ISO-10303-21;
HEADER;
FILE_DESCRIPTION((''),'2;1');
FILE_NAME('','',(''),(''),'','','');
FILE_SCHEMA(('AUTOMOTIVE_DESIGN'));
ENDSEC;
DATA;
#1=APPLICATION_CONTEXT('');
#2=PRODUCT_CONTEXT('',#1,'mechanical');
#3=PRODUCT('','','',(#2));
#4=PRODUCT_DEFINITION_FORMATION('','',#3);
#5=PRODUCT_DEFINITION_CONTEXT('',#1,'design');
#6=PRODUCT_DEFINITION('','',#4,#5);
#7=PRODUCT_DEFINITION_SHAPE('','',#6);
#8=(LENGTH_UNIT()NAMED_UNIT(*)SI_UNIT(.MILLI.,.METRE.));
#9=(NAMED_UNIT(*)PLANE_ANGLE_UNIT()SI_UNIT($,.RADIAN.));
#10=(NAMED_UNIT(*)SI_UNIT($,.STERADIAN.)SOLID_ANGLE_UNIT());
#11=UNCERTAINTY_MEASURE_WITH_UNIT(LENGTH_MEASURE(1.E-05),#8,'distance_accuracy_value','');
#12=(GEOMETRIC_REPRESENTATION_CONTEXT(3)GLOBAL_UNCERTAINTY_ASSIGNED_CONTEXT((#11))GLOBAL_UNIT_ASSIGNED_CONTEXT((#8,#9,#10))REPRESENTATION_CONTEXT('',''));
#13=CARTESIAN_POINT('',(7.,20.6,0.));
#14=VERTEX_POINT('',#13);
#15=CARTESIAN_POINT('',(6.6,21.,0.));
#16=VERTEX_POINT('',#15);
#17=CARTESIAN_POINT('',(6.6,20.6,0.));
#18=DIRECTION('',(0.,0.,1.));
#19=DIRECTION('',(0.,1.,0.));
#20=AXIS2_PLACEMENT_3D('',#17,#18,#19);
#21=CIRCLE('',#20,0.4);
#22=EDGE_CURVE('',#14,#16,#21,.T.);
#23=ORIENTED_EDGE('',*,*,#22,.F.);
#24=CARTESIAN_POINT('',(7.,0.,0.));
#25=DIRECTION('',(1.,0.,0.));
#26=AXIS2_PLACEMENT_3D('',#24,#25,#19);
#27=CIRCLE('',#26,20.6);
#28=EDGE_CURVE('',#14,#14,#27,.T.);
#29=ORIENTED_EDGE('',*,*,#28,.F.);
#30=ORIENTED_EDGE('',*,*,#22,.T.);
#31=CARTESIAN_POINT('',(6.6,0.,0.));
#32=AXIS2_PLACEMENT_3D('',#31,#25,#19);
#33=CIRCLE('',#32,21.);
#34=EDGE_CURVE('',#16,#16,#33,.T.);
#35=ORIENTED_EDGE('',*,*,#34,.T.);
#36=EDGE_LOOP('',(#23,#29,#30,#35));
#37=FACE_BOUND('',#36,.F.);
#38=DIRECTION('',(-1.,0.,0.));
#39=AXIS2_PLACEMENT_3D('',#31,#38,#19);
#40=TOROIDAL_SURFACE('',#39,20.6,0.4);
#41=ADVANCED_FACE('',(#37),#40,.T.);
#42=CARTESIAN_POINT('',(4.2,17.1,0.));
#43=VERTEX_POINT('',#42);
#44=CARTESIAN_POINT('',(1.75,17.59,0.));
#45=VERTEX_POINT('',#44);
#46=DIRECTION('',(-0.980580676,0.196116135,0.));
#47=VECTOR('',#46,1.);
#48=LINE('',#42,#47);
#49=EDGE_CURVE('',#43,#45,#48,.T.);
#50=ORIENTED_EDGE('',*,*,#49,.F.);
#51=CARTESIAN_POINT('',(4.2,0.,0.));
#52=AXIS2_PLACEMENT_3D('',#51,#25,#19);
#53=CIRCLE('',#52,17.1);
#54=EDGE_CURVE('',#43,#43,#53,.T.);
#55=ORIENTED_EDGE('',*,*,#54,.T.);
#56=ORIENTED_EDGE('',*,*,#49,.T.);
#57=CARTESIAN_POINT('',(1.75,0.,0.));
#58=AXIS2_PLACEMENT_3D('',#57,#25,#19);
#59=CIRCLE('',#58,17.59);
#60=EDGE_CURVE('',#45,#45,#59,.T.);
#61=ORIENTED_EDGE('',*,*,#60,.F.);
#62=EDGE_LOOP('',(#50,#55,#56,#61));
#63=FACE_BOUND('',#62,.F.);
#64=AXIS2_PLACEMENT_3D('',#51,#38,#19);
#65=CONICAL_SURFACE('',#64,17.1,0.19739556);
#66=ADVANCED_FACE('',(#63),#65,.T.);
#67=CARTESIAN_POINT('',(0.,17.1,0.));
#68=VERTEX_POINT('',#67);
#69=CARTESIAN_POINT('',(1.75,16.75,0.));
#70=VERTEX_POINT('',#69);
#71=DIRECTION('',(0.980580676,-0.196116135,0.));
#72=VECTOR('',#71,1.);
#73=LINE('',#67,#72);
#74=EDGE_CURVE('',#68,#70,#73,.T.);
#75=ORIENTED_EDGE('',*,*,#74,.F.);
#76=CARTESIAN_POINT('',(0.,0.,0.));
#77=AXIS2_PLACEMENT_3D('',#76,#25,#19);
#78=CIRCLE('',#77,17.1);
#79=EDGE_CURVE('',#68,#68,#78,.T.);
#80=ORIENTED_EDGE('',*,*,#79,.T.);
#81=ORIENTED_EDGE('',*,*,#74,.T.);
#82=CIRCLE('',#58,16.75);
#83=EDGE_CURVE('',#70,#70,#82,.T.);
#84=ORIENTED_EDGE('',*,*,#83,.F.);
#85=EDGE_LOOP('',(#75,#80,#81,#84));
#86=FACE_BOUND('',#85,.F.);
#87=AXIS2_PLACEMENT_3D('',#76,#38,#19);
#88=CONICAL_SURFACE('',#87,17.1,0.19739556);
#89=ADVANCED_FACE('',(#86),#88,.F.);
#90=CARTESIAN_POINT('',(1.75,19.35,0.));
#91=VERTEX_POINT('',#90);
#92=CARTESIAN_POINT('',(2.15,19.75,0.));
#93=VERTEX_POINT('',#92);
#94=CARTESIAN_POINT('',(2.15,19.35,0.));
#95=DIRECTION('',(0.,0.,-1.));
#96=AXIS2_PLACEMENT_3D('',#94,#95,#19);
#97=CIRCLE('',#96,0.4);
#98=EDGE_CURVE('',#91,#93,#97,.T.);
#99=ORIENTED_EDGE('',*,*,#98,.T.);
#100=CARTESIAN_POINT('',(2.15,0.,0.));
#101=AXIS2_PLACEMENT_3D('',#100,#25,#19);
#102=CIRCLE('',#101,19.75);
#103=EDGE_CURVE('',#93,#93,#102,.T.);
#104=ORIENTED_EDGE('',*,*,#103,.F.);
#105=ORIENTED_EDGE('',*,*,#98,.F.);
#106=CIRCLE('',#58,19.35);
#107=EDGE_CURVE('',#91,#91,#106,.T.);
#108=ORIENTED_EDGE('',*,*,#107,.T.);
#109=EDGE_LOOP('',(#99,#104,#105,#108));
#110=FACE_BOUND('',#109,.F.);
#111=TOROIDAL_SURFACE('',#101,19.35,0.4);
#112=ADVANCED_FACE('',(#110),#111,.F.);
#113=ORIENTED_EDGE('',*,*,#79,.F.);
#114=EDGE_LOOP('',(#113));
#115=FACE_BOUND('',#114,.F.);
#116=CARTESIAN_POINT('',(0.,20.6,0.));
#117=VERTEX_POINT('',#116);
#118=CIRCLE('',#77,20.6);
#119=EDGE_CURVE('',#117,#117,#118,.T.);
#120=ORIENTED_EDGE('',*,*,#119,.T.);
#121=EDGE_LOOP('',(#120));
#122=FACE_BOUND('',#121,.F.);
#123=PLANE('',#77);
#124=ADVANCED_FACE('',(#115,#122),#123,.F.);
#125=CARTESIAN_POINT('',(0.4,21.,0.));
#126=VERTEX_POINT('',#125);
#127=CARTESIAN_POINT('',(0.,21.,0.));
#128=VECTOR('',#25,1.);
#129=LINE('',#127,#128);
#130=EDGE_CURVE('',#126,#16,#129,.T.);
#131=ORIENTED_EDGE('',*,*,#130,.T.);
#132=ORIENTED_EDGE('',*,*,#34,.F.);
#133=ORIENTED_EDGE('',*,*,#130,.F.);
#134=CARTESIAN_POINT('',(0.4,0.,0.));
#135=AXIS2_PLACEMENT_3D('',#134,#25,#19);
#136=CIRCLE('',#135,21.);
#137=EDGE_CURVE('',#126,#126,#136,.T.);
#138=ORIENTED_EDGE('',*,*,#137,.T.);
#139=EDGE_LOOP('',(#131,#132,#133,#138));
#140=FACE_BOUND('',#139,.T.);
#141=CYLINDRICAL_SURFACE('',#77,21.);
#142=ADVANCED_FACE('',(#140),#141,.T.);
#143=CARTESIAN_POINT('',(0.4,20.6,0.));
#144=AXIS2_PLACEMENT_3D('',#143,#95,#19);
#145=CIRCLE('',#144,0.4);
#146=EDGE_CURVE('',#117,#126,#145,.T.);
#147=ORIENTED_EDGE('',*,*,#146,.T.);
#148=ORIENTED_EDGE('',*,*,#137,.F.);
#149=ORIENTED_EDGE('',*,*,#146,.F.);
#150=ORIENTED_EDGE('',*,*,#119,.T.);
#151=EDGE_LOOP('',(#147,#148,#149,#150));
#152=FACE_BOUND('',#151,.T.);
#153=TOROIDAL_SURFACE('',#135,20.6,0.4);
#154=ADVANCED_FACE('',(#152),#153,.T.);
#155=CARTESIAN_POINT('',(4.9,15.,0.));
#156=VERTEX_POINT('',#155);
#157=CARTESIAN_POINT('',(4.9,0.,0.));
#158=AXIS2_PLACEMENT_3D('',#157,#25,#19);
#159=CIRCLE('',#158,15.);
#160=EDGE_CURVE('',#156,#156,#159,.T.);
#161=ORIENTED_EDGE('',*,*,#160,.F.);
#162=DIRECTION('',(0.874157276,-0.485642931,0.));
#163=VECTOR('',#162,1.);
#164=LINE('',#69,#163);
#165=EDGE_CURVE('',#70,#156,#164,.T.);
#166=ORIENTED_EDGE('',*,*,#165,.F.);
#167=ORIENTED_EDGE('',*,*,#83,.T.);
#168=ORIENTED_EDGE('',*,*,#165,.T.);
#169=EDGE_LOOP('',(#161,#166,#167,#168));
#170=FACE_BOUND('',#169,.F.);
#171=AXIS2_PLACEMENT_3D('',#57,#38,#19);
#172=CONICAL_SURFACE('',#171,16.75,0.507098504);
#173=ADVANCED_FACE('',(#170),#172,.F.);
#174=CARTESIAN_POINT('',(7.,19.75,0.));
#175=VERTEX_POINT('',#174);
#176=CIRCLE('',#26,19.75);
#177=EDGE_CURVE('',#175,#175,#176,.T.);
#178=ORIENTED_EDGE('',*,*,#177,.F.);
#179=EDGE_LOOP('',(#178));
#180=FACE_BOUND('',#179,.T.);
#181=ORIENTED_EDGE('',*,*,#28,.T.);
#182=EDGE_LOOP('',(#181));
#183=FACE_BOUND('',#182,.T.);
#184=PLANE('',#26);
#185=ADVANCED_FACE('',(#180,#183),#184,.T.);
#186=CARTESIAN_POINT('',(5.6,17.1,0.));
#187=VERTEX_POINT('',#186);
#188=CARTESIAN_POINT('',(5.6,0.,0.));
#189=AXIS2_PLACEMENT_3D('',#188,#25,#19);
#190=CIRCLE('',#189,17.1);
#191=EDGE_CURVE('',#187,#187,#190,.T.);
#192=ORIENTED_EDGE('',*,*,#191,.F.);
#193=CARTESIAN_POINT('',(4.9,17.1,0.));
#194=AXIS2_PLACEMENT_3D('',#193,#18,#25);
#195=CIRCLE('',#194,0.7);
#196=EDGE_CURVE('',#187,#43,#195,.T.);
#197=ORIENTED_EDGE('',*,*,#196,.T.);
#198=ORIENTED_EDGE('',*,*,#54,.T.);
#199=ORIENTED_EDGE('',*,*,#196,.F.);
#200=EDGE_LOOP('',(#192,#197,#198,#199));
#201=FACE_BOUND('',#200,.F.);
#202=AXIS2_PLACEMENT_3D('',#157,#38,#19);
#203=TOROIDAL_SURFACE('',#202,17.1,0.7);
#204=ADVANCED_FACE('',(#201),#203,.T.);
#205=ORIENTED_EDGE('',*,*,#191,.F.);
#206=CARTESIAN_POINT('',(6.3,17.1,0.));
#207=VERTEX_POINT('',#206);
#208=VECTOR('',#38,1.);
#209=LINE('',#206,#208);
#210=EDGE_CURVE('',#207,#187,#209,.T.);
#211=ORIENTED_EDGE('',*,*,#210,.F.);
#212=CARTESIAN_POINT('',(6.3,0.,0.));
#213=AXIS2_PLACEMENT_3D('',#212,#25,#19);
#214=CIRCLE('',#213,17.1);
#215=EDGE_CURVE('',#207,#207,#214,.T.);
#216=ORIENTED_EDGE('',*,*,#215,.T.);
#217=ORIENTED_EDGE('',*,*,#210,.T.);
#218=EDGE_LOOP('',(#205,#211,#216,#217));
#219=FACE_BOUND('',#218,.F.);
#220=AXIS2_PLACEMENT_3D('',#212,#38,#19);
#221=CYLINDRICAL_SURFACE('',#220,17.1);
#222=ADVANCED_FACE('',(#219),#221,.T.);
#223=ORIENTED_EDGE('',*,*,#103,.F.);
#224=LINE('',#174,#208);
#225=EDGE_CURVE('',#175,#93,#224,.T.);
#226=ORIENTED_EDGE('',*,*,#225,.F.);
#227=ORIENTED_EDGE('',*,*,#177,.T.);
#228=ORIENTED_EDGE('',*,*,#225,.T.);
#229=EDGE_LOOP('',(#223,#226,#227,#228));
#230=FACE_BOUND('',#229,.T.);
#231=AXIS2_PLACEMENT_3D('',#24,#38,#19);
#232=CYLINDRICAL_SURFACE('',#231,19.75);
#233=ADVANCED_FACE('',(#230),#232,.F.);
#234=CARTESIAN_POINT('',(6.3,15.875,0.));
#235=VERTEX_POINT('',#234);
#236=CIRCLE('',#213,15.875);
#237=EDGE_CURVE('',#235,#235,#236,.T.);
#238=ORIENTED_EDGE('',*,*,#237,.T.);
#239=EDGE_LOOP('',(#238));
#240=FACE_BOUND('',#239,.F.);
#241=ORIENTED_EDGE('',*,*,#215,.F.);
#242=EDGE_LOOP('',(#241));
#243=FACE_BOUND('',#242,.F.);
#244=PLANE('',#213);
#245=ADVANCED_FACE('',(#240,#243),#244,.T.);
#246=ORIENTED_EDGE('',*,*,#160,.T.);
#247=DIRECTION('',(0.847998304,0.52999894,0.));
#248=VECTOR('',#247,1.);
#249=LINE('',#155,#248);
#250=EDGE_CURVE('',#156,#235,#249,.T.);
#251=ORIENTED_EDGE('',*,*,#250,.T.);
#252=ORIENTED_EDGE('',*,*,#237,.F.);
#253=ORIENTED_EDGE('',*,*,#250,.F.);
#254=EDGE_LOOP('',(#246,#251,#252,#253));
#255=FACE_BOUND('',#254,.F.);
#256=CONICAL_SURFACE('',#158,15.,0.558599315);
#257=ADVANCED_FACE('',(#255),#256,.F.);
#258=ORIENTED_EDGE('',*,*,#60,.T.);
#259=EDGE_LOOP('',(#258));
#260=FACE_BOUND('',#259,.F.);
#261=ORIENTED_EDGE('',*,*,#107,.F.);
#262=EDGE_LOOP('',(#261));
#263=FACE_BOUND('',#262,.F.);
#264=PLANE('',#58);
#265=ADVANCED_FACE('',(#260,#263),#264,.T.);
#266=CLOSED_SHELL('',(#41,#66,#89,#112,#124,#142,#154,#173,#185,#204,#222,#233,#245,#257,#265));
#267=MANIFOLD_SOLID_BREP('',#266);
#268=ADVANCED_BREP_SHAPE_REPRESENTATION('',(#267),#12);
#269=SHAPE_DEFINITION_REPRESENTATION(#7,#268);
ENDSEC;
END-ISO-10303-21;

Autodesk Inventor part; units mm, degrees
ref_plane "YZ Plane" through (0, 0, 0) normal (1, 0, 0) x (0, 1, 0)
ref_plane "XZ Plane" through (0, 0, 0) normal (0, 1, 0) x (-1, 0, 0)
ref_plane "XY Plane" through (0, 0, 0) normal (0, 0, 1) x (1, 0, 0)
sketch "Эскиз1" plane through (0, 0, 0) normal (0, 0, 1) x (1, 0, 0)
  circle A0 centre (4.9, 17.1) radius 0.455
  circle A1 centre (4.9, 17.1) radius 0.7
  line L0 (6.3, 15.875) -> (6.3, 17.1)
  line L1 (0, 21) -> (7, 21)
  line L2 (7, 21) -> (7, 19.75)
  line L3 (7, 19.75) -> (1.75, 19.75)
  line L4 (0, 0) -> (9.5856, 0)
  line L5 (0, 21) -> (0, 17.1)
  line L6 (0, 17.1) -> (1.75, 16.75)
  line L7 (1.75, 16.75) -> (4.9, 15)
  line L8 (4.9, 15) -> (6.3, 15.875)
  line L9 (4.9, 15) -> (0, 15) construction
  line L10 (0, 18) -> (0, -3) projected
  line L11 (-1.9171, 0) -> (11.5027, 0) projected
  line L12 (4.2, 17.1) -> (1.75, 17.59)
  line L13 (1.75, 17.59) -> (1.75, 19.75)
  line L14 (6.3, 17.1) -> (5.6, 17.1)
  dimension "d0" = 42
  dimension "d1" = 31.75
  dimension "d2" = 1.25
  dimension "d3" = 0.91
  dimension "d4" = 1.4
  dimension "d5" = 30
  dimension "d6" = 33.5
  dimension "d7" = 34.2
  dimension "d8" = 4.9
  dimension "d9" = 6.3
  dimension "d10" = 7
  dimension "d12" = 1.75
revolve "Базовый элемент" add sketch "Эскиз1" angle 360 about axis through (0, 0, 0) along (1, 0, 0) contours L14 L0 L8 L7 L6 L5 L1 L2 L3 L13 L12 A1
revolve "Пружинные1" add sketch "Эскиз1" angle 360 about axis through (0, 0, 0) along (1, 0, 0) contours A0 | A1
fillet "Сопряжение1" radius 0.4 3 edges at (7, -21, 0) (1.75, -19.75, 0) (0, -21, 0)
equation "\"d0\" = SD2"
equation "\"d1\" = ABDM"
equation "\"d3\" = SPDI"
equation "\"d4\" = SPDA"
equation "\"d5\" = NND"
equation "\"d6\" = TKDM"
equation "\"d7\" = HLDM"
equation "\"d8\" = SPDST"
equation "\"d9\" = SDI"
equation "\"d10\" = SWDT"
equation "\"d12\" = SD"
equation "\"d11\" = RR"
equation "\"SD2\" = 42"
equation "\"SWDT\" = 7"
equation "\"RR\" = 0.4"
equation "\"SD\" = 1.75"
equation "\"NND\" = 30"
equation "\"SPDA\" = 1.4"
equation "\"SPDI\" = 0.91"
equation "\"TKDM\" = 33.5"
equation "\"HLDM\" = 34.2"
equation "\"ABDM\" = 31.75"
equation "\"SDI\" = 6.3"
equation "\"SPDST\" = 4.9"
equation "\"LAB\" = 0.35"
properties part number "Манжет 1-30x42x7 ГОСТ 8752-79" material "Резина"
